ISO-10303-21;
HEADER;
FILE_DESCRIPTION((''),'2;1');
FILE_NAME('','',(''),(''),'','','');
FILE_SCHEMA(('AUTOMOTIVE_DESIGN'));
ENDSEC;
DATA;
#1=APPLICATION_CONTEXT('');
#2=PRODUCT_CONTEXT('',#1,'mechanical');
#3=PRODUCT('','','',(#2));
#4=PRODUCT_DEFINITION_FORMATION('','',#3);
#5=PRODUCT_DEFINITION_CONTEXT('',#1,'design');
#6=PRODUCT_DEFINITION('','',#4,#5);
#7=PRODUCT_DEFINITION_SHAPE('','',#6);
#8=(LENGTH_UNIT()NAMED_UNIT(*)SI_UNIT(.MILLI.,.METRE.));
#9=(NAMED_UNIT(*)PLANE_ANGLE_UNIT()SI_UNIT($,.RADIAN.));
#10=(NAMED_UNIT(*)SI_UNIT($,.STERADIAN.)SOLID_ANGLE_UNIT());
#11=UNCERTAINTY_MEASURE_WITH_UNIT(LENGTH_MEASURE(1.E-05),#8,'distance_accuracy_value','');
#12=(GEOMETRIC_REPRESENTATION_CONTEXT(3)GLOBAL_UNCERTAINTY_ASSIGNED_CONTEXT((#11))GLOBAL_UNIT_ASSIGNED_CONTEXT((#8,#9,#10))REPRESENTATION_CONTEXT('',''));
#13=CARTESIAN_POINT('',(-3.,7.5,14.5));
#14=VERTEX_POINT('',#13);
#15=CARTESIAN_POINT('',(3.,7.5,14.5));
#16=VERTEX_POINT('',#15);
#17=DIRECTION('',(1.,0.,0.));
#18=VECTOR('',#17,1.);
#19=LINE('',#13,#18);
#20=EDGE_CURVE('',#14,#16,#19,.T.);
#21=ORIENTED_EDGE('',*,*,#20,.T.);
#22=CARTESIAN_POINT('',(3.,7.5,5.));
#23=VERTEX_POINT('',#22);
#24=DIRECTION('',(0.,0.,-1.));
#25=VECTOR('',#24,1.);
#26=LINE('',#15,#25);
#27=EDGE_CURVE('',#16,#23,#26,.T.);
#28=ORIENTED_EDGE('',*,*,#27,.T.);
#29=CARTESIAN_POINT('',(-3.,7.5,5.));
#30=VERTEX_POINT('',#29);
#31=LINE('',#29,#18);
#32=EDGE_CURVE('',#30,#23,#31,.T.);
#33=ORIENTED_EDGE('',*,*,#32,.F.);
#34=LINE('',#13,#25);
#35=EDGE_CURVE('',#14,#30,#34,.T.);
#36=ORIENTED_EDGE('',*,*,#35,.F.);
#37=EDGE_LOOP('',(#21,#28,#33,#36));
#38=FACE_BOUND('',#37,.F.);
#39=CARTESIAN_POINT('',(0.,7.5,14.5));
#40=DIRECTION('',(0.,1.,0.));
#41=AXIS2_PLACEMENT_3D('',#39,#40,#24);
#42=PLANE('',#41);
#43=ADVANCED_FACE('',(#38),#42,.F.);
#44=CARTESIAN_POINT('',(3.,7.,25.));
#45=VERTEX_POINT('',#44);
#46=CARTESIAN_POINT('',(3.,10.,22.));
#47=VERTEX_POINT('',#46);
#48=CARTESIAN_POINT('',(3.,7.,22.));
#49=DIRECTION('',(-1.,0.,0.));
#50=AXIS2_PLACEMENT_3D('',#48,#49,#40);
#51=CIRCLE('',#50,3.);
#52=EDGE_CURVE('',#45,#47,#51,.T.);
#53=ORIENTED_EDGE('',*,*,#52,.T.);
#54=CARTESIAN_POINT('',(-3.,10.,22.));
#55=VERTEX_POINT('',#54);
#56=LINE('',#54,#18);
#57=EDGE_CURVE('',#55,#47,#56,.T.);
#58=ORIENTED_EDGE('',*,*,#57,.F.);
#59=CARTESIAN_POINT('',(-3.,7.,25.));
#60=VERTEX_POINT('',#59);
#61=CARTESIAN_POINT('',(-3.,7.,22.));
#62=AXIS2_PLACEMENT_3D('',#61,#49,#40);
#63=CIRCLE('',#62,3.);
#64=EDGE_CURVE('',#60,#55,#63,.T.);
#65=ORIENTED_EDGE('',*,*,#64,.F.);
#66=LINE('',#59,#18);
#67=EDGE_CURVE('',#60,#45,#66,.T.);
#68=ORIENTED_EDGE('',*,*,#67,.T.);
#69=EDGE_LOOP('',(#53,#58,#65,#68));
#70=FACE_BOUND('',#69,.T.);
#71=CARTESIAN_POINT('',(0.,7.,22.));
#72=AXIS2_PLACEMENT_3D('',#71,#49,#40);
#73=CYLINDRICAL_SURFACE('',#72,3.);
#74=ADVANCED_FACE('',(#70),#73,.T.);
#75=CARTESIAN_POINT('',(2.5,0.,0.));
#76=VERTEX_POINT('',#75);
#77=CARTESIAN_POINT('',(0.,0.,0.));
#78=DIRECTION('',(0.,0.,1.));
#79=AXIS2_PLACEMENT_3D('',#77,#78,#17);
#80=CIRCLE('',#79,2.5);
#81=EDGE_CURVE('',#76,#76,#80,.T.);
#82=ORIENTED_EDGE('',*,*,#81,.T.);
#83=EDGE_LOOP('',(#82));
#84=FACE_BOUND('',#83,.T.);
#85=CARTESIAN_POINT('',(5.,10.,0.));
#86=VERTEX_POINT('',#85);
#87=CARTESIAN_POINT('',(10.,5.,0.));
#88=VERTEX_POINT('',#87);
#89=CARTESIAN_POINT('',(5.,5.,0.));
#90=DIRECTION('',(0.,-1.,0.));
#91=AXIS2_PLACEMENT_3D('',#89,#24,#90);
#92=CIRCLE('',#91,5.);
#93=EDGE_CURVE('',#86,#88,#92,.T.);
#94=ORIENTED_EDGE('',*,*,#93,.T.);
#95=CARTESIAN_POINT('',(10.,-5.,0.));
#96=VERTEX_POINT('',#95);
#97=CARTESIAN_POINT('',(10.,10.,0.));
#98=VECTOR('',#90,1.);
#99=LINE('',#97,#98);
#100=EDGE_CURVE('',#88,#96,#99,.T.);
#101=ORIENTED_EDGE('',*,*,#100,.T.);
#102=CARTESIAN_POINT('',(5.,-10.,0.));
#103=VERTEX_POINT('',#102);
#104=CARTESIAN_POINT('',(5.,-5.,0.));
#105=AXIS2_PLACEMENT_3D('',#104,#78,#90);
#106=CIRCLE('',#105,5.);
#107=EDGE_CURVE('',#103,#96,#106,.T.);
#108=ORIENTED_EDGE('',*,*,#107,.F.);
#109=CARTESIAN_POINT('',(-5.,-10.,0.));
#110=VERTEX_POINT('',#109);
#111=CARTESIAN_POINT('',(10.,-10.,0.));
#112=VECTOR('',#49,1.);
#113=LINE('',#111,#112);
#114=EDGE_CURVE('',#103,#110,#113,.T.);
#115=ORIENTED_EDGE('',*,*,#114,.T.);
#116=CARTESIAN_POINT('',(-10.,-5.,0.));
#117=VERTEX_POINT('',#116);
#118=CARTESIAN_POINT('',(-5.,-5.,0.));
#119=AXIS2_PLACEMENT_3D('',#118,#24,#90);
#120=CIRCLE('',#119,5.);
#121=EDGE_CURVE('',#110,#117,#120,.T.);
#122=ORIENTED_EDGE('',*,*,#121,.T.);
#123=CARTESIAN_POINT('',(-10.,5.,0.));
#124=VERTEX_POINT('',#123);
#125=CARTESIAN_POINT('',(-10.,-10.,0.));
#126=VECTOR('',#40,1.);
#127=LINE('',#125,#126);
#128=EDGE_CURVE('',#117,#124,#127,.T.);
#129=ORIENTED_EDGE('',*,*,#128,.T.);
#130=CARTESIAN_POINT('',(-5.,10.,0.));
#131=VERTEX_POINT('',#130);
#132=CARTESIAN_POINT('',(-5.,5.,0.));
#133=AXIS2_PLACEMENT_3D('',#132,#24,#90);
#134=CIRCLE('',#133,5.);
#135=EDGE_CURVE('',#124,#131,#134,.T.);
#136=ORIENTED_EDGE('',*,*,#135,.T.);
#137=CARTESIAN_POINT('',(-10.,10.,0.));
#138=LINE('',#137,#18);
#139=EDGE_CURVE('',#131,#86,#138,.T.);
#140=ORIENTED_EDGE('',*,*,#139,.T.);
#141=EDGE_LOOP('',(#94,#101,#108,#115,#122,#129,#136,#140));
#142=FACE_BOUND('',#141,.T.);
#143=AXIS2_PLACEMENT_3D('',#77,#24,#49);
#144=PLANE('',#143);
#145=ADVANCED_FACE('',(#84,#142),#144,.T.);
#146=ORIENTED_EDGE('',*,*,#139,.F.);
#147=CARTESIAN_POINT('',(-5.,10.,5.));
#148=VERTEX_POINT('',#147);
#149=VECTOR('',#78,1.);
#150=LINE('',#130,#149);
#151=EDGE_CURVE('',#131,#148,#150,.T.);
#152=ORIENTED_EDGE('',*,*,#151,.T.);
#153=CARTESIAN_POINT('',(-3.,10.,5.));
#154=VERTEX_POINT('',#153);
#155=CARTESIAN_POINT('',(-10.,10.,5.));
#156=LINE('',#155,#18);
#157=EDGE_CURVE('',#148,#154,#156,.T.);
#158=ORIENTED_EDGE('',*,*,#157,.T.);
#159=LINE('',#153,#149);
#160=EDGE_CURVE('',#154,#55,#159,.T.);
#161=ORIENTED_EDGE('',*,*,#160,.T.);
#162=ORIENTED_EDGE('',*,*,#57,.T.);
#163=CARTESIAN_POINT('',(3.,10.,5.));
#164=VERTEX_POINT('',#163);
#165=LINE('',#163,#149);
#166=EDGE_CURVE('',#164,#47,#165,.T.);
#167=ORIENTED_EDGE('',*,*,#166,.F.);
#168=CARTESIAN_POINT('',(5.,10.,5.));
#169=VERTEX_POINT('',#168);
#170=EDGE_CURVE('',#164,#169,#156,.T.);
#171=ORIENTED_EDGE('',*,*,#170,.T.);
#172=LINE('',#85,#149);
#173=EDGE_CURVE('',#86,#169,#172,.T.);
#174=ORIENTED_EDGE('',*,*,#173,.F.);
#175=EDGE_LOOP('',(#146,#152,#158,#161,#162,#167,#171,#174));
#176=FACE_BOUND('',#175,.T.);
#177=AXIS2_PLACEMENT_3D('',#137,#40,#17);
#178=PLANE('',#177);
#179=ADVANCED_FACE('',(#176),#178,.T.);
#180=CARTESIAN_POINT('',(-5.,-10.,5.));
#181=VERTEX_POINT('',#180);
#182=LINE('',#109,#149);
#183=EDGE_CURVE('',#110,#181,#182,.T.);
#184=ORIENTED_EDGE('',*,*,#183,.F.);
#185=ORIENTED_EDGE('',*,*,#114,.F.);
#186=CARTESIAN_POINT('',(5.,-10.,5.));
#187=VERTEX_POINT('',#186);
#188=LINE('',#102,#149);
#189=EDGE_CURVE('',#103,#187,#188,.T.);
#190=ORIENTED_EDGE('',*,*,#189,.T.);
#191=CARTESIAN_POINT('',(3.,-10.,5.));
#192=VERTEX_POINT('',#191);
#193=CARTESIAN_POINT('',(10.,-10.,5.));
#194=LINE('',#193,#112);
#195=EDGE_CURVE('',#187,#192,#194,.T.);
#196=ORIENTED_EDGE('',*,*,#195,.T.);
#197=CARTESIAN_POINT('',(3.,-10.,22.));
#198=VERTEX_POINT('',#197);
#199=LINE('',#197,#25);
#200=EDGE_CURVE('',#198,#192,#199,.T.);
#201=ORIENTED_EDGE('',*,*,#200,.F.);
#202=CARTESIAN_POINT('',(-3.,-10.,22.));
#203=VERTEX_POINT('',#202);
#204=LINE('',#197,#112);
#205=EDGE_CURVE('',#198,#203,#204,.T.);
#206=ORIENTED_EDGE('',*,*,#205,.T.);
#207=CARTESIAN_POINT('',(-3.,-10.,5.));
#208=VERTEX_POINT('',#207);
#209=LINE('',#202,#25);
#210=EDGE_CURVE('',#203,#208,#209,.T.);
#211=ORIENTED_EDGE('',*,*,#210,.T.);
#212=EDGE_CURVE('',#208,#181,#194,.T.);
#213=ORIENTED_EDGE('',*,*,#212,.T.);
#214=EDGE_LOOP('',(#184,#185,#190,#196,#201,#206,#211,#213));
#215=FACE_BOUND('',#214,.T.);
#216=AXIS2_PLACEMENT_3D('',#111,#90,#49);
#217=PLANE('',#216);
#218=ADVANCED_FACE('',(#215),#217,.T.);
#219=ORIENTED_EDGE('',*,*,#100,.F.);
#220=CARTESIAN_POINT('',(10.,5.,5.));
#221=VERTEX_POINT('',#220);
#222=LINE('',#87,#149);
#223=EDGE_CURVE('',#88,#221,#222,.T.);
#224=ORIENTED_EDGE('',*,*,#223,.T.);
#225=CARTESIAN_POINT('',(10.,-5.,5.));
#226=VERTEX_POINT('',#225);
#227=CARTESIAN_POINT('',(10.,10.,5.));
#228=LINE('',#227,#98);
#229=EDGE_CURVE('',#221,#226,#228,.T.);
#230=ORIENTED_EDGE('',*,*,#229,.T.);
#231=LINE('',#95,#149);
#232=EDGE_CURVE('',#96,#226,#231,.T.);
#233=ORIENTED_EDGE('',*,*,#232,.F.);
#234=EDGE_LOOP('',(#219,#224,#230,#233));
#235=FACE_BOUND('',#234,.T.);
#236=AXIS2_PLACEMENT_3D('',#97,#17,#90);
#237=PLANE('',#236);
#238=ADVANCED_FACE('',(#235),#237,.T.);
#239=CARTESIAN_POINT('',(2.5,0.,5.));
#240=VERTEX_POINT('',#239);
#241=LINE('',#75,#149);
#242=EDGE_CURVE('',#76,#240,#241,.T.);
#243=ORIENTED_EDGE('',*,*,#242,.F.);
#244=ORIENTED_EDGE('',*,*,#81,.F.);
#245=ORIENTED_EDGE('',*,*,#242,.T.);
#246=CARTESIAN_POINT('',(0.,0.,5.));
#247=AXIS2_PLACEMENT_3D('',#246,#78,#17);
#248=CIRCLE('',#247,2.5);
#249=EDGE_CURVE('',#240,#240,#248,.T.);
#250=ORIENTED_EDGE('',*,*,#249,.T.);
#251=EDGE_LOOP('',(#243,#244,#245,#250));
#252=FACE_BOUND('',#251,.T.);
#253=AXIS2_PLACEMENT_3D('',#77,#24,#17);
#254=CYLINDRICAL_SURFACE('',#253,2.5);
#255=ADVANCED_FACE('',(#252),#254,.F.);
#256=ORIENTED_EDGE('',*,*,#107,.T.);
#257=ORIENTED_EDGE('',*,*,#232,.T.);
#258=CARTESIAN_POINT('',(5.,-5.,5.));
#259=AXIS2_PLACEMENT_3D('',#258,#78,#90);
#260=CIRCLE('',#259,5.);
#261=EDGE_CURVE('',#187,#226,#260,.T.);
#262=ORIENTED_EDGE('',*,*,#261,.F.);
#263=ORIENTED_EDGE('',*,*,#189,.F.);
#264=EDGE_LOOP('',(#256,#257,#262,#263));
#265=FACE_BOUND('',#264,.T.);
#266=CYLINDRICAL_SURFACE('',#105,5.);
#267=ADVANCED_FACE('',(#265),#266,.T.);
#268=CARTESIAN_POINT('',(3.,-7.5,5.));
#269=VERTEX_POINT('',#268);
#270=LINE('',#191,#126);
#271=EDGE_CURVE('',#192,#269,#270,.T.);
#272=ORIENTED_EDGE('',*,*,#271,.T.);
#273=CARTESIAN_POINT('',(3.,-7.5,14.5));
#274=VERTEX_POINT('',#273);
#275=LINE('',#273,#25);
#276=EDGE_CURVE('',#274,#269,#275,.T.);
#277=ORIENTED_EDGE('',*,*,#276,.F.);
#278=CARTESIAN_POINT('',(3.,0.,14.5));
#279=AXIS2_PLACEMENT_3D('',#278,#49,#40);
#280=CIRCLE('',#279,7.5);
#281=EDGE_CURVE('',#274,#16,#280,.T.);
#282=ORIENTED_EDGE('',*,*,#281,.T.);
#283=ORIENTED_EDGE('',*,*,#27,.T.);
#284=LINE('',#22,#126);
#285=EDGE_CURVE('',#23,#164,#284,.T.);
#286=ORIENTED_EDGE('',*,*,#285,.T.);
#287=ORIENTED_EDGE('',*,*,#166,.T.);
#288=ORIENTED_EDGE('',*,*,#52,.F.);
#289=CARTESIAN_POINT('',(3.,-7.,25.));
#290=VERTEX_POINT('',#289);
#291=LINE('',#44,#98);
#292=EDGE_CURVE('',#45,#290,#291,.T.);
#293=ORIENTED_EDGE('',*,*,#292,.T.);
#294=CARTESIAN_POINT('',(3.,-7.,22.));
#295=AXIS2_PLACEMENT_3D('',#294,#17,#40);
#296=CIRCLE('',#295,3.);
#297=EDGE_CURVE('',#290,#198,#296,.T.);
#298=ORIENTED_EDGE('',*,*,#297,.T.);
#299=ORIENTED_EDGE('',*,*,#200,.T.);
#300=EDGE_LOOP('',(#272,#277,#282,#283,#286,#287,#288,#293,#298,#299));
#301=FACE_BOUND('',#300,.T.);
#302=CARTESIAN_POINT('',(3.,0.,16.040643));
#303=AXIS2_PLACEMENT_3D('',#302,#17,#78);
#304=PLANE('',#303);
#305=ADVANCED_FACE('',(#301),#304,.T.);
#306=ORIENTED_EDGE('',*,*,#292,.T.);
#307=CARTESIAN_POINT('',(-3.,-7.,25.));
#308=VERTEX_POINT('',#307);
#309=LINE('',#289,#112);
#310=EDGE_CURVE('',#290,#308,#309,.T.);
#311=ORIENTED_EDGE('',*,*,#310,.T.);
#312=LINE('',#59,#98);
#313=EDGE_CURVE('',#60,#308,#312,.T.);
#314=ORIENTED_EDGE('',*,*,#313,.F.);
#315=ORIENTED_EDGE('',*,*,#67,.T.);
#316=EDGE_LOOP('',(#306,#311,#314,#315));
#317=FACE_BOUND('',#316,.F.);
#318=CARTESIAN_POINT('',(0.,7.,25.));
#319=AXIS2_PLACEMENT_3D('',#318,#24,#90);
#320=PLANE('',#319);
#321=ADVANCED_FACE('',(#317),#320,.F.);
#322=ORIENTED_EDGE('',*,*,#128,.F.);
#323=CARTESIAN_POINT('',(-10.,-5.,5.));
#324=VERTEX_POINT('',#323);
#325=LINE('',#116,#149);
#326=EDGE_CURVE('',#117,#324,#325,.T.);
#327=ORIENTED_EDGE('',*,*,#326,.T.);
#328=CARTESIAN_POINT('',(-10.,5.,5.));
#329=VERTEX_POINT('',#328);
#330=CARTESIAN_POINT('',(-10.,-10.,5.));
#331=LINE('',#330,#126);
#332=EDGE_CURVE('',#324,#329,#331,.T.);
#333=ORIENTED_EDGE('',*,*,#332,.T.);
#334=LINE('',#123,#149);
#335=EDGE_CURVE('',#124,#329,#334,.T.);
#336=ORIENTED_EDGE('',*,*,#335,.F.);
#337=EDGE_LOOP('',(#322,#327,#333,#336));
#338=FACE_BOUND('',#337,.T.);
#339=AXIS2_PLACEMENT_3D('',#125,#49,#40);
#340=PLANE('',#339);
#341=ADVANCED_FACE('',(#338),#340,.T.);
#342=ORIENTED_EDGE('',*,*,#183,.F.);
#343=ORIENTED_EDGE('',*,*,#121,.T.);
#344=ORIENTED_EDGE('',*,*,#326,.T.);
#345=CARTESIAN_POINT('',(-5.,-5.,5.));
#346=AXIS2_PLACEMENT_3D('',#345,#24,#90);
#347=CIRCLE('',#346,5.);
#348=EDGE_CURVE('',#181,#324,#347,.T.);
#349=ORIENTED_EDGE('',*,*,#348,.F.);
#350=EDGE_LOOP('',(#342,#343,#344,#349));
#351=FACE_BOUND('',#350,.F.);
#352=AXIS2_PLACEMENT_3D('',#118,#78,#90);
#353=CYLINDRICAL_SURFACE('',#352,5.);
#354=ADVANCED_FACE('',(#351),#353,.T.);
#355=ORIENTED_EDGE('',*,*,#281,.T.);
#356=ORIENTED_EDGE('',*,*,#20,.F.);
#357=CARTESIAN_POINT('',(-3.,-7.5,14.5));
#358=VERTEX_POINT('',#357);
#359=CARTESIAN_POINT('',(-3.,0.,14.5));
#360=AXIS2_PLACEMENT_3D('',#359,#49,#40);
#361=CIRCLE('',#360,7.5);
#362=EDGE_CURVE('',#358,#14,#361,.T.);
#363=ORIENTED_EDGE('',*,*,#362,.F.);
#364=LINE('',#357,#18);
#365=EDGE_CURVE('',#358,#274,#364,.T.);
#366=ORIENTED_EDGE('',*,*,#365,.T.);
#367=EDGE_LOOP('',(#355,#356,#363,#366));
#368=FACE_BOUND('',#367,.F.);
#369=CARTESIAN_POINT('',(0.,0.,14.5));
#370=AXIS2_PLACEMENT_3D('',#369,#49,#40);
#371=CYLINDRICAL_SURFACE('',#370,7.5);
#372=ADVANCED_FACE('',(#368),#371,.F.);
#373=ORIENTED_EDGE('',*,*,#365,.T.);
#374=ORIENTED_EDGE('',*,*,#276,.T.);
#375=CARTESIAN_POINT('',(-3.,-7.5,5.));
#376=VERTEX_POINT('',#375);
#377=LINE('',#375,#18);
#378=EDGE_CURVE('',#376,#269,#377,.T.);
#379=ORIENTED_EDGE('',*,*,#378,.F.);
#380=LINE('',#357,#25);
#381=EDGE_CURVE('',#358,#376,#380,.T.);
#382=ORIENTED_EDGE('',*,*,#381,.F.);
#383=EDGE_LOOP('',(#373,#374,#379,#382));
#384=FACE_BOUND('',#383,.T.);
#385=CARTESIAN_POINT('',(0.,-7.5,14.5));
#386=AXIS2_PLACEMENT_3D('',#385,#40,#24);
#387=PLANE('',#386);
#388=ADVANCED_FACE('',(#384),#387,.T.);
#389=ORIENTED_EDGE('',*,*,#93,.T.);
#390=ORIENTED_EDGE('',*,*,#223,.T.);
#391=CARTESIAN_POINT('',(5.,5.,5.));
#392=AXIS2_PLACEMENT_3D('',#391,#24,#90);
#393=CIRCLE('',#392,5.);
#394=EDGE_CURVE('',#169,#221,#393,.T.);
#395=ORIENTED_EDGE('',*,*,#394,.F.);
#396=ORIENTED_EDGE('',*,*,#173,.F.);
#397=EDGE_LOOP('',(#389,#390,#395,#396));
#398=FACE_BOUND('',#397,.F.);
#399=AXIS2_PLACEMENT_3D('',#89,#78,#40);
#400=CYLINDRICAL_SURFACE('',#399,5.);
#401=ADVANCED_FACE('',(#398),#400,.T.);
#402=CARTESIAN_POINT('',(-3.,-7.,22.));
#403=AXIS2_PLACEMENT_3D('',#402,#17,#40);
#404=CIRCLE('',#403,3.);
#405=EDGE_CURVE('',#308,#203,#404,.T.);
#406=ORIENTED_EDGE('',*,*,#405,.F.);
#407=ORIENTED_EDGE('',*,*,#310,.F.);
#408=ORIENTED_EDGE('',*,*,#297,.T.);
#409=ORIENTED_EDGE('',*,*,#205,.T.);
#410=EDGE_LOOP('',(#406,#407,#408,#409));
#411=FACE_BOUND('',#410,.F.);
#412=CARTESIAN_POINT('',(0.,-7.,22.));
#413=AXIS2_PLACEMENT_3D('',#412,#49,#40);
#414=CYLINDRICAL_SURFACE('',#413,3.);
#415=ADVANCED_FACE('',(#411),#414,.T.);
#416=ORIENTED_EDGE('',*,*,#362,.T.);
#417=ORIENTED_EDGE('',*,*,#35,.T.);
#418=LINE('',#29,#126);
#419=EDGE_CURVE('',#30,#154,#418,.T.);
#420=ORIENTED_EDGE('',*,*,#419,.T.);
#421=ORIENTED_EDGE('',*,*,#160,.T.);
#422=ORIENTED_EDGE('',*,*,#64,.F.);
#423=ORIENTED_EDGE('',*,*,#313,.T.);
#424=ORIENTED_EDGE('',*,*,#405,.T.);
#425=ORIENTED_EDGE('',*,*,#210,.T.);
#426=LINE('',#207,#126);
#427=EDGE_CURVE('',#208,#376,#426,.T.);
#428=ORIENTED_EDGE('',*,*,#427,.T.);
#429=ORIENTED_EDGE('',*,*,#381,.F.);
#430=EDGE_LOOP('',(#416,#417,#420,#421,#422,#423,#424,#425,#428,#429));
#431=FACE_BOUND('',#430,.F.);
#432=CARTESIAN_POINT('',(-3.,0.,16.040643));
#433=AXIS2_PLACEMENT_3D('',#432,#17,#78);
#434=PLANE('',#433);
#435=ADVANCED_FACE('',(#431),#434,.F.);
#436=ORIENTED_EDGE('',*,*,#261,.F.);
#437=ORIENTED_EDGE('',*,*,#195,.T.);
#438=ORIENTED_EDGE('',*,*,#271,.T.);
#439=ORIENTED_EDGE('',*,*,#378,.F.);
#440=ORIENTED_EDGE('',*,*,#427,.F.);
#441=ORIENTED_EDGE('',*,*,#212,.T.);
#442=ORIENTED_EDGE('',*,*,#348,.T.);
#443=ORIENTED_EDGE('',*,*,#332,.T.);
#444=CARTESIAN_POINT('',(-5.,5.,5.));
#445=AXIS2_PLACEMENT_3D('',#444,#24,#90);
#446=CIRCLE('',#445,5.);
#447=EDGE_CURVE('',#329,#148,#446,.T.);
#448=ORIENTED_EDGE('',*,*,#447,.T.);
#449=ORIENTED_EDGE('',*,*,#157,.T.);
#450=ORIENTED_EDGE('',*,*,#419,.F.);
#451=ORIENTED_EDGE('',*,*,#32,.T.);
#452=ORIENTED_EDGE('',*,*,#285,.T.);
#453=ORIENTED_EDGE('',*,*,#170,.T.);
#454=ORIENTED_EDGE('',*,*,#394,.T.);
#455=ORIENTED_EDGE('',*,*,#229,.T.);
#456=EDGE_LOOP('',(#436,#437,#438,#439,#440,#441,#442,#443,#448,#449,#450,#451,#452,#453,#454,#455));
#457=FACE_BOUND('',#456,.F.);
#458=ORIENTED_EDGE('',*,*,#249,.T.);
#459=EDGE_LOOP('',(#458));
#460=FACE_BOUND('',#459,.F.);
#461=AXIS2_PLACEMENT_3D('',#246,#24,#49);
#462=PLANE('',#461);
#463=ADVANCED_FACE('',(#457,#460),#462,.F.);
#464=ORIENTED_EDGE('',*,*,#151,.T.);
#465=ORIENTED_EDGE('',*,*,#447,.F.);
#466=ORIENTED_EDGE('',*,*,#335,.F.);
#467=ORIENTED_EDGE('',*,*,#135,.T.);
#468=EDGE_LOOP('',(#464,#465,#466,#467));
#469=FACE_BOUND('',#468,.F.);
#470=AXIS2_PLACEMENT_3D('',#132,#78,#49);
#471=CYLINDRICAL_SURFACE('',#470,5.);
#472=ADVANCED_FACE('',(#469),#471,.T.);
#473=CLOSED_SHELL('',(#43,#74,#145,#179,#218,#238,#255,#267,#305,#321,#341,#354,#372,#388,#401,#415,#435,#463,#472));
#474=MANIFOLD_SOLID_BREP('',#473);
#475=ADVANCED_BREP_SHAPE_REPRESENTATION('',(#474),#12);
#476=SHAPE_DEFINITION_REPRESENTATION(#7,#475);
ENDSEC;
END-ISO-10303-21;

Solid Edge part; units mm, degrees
sketch "Sketch1" plane through (0, 0, 0) normal (0, 0, 1) x (1, 0, 0)
  line L0 (10, -10) -> (-10, -10)
  line L1 (-10, -10) -> (-10, 10)
  line L2 (-10, 10) -> (10, 10)
  line L3 (10, 10) -> (10, -10)
  circle A0 centre (0, 0) radius 2.5
extrude "Protrusion1" add sketch "Sketch1" along normal blind 5
fillet "Round_1" radius 5 4 edges at (10, -10, 2.5) (10, 10, 2.5) (-10, 10, 2.5) (-10, -10, 2.5)
sketch "Sketch2" plane through (0, 0, 0) normal (1, 0, 0) x (0, 1, 0)
  line L0 (-10, 5) -> (-7.5, 5)
  line L1 (-7.5, 14.5) -> (-7.5, 5)
  line L2 (7.5, 14.5) -> (7.5, 5)
  line L3 (7.5, 5) -> (10, 5)
  line L4 (10, 5) -> (10, 22)
  arc A0 (7, 25) -> (10, 22) centre (7, 22) cw
  line L5 (7, 25) -> (-7, 25)
  arc A1 (-7, 25) -> (-10, 22) centre (-7, 22) ccw
  line L6 (-10, 22) -> (-10, 5)
  arc A2 (-7.5, 14.5) -> (7.5, 14.5) centre (0, 14.5) cw
extrude "ExtrudedProtrusion_2" add sketch "Sketch2" along normal mid plane 6
